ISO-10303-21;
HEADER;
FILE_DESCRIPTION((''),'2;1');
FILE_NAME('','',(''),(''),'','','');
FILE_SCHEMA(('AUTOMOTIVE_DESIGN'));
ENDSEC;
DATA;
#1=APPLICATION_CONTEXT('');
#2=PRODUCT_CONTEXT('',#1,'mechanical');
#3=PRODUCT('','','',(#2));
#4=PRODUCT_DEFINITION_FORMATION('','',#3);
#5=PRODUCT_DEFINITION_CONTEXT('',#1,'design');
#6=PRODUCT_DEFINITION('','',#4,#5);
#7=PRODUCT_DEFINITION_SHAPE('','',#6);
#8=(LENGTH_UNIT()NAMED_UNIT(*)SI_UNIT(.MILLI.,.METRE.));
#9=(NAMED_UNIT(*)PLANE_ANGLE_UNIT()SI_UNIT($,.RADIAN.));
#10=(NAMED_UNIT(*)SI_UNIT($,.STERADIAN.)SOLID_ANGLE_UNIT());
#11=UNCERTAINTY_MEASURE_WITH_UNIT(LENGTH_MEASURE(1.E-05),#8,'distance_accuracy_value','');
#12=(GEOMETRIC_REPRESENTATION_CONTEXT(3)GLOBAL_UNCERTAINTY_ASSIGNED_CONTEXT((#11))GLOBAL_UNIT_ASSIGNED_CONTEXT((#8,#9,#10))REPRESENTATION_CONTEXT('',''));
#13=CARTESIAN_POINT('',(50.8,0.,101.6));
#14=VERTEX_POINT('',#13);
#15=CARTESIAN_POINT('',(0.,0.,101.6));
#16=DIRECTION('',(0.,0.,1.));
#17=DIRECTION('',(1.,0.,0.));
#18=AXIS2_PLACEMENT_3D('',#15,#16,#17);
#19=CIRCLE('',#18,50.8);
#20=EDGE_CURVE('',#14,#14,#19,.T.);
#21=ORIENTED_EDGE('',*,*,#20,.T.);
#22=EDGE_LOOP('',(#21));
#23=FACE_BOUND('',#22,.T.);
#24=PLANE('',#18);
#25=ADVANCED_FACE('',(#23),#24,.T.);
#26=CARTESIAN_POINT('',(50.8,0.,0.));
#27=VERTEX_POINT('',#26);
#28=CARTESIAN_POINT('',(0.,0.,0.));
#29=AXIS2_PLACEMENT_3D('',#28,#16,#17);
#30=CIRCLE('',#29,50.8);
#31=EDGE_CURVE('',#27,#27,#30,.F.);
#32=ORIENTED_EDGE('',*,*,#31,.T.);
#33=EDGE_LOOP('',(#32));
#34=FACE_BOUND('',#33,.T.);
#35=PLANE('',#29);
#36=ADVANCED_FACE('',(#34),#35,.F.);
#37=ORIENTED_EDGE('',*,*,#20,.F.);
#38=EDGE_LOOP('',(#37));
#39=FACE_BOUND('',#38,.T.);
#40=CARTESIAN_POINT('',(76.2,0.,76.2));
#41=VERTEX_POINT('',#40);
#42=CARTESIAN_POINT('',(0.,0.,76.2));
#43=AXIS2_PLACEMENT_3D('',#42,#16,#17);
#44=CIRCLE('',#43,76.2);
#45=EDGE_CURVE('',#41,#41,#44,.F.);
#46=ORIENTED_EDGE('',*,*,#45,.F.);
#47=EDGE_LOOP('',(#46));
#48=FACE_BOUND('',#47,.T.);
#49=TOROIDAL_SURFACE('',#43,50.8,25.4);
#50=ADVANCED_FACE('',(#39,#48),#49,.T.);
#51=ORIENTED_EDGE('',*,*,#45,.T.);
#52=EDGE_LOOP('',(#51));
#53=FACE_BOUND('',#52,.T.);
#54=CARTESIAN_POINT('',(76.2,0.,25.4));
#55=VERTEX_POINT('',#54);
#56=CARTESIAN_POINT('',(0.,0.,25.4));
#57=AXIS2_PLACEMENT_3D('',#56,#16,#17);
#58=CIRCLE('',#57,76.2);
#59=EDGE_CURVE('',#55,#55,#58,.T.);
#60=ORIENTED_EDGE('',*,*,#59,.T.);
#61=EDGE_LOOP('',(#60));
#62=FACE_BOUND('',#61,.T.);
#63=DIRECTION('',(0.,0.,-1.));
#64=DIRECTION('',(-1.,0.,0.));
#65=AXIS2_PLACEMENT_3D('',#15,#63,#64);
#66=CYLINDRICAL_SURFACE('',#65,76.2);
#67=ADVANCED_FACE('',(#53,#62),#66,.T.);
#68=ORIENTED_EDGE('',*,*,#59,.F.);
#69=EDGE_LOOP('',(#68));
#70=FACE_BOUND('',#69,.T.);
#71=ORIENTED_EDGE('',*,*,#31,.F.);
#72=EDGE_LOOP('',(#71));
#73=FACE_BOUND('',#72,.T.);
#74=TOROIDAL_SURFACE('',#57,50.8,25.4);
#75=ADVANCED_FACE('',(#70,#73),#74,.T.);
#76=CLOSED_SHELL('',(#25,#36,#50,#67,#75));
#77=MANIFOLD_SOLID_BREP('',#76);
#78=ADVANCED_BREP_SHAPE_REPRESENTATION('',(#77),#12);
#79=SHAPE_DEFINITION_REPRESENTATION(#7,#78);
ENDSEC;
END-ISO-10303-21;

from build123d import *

# Parameters (mm, degrees)
ESQUISSE1_R        = 76.2
BOSS_EXTRU_1_DEPTH = 101.6
CONG_1_R           = 25.4


with BuildPart() as part:
    # Esquisse1 → Boss.-Extru.1 (new body)
    with BuildSketch(Plane.XY):
        Circle(ESQUISSE1_R)
    extrude(amount=BOSS_EXTRU_1_DEPTH)

    # Congé1
    cong_1_edges = [part.edges().sort_by_distance(p)[0] for p in [
        (-76.2, 0, 0),
        (-76.2, 0, 101.6),
    ]]
    fillet(cong_1_edges, radius=CONG_1_R)


solid = part.part
